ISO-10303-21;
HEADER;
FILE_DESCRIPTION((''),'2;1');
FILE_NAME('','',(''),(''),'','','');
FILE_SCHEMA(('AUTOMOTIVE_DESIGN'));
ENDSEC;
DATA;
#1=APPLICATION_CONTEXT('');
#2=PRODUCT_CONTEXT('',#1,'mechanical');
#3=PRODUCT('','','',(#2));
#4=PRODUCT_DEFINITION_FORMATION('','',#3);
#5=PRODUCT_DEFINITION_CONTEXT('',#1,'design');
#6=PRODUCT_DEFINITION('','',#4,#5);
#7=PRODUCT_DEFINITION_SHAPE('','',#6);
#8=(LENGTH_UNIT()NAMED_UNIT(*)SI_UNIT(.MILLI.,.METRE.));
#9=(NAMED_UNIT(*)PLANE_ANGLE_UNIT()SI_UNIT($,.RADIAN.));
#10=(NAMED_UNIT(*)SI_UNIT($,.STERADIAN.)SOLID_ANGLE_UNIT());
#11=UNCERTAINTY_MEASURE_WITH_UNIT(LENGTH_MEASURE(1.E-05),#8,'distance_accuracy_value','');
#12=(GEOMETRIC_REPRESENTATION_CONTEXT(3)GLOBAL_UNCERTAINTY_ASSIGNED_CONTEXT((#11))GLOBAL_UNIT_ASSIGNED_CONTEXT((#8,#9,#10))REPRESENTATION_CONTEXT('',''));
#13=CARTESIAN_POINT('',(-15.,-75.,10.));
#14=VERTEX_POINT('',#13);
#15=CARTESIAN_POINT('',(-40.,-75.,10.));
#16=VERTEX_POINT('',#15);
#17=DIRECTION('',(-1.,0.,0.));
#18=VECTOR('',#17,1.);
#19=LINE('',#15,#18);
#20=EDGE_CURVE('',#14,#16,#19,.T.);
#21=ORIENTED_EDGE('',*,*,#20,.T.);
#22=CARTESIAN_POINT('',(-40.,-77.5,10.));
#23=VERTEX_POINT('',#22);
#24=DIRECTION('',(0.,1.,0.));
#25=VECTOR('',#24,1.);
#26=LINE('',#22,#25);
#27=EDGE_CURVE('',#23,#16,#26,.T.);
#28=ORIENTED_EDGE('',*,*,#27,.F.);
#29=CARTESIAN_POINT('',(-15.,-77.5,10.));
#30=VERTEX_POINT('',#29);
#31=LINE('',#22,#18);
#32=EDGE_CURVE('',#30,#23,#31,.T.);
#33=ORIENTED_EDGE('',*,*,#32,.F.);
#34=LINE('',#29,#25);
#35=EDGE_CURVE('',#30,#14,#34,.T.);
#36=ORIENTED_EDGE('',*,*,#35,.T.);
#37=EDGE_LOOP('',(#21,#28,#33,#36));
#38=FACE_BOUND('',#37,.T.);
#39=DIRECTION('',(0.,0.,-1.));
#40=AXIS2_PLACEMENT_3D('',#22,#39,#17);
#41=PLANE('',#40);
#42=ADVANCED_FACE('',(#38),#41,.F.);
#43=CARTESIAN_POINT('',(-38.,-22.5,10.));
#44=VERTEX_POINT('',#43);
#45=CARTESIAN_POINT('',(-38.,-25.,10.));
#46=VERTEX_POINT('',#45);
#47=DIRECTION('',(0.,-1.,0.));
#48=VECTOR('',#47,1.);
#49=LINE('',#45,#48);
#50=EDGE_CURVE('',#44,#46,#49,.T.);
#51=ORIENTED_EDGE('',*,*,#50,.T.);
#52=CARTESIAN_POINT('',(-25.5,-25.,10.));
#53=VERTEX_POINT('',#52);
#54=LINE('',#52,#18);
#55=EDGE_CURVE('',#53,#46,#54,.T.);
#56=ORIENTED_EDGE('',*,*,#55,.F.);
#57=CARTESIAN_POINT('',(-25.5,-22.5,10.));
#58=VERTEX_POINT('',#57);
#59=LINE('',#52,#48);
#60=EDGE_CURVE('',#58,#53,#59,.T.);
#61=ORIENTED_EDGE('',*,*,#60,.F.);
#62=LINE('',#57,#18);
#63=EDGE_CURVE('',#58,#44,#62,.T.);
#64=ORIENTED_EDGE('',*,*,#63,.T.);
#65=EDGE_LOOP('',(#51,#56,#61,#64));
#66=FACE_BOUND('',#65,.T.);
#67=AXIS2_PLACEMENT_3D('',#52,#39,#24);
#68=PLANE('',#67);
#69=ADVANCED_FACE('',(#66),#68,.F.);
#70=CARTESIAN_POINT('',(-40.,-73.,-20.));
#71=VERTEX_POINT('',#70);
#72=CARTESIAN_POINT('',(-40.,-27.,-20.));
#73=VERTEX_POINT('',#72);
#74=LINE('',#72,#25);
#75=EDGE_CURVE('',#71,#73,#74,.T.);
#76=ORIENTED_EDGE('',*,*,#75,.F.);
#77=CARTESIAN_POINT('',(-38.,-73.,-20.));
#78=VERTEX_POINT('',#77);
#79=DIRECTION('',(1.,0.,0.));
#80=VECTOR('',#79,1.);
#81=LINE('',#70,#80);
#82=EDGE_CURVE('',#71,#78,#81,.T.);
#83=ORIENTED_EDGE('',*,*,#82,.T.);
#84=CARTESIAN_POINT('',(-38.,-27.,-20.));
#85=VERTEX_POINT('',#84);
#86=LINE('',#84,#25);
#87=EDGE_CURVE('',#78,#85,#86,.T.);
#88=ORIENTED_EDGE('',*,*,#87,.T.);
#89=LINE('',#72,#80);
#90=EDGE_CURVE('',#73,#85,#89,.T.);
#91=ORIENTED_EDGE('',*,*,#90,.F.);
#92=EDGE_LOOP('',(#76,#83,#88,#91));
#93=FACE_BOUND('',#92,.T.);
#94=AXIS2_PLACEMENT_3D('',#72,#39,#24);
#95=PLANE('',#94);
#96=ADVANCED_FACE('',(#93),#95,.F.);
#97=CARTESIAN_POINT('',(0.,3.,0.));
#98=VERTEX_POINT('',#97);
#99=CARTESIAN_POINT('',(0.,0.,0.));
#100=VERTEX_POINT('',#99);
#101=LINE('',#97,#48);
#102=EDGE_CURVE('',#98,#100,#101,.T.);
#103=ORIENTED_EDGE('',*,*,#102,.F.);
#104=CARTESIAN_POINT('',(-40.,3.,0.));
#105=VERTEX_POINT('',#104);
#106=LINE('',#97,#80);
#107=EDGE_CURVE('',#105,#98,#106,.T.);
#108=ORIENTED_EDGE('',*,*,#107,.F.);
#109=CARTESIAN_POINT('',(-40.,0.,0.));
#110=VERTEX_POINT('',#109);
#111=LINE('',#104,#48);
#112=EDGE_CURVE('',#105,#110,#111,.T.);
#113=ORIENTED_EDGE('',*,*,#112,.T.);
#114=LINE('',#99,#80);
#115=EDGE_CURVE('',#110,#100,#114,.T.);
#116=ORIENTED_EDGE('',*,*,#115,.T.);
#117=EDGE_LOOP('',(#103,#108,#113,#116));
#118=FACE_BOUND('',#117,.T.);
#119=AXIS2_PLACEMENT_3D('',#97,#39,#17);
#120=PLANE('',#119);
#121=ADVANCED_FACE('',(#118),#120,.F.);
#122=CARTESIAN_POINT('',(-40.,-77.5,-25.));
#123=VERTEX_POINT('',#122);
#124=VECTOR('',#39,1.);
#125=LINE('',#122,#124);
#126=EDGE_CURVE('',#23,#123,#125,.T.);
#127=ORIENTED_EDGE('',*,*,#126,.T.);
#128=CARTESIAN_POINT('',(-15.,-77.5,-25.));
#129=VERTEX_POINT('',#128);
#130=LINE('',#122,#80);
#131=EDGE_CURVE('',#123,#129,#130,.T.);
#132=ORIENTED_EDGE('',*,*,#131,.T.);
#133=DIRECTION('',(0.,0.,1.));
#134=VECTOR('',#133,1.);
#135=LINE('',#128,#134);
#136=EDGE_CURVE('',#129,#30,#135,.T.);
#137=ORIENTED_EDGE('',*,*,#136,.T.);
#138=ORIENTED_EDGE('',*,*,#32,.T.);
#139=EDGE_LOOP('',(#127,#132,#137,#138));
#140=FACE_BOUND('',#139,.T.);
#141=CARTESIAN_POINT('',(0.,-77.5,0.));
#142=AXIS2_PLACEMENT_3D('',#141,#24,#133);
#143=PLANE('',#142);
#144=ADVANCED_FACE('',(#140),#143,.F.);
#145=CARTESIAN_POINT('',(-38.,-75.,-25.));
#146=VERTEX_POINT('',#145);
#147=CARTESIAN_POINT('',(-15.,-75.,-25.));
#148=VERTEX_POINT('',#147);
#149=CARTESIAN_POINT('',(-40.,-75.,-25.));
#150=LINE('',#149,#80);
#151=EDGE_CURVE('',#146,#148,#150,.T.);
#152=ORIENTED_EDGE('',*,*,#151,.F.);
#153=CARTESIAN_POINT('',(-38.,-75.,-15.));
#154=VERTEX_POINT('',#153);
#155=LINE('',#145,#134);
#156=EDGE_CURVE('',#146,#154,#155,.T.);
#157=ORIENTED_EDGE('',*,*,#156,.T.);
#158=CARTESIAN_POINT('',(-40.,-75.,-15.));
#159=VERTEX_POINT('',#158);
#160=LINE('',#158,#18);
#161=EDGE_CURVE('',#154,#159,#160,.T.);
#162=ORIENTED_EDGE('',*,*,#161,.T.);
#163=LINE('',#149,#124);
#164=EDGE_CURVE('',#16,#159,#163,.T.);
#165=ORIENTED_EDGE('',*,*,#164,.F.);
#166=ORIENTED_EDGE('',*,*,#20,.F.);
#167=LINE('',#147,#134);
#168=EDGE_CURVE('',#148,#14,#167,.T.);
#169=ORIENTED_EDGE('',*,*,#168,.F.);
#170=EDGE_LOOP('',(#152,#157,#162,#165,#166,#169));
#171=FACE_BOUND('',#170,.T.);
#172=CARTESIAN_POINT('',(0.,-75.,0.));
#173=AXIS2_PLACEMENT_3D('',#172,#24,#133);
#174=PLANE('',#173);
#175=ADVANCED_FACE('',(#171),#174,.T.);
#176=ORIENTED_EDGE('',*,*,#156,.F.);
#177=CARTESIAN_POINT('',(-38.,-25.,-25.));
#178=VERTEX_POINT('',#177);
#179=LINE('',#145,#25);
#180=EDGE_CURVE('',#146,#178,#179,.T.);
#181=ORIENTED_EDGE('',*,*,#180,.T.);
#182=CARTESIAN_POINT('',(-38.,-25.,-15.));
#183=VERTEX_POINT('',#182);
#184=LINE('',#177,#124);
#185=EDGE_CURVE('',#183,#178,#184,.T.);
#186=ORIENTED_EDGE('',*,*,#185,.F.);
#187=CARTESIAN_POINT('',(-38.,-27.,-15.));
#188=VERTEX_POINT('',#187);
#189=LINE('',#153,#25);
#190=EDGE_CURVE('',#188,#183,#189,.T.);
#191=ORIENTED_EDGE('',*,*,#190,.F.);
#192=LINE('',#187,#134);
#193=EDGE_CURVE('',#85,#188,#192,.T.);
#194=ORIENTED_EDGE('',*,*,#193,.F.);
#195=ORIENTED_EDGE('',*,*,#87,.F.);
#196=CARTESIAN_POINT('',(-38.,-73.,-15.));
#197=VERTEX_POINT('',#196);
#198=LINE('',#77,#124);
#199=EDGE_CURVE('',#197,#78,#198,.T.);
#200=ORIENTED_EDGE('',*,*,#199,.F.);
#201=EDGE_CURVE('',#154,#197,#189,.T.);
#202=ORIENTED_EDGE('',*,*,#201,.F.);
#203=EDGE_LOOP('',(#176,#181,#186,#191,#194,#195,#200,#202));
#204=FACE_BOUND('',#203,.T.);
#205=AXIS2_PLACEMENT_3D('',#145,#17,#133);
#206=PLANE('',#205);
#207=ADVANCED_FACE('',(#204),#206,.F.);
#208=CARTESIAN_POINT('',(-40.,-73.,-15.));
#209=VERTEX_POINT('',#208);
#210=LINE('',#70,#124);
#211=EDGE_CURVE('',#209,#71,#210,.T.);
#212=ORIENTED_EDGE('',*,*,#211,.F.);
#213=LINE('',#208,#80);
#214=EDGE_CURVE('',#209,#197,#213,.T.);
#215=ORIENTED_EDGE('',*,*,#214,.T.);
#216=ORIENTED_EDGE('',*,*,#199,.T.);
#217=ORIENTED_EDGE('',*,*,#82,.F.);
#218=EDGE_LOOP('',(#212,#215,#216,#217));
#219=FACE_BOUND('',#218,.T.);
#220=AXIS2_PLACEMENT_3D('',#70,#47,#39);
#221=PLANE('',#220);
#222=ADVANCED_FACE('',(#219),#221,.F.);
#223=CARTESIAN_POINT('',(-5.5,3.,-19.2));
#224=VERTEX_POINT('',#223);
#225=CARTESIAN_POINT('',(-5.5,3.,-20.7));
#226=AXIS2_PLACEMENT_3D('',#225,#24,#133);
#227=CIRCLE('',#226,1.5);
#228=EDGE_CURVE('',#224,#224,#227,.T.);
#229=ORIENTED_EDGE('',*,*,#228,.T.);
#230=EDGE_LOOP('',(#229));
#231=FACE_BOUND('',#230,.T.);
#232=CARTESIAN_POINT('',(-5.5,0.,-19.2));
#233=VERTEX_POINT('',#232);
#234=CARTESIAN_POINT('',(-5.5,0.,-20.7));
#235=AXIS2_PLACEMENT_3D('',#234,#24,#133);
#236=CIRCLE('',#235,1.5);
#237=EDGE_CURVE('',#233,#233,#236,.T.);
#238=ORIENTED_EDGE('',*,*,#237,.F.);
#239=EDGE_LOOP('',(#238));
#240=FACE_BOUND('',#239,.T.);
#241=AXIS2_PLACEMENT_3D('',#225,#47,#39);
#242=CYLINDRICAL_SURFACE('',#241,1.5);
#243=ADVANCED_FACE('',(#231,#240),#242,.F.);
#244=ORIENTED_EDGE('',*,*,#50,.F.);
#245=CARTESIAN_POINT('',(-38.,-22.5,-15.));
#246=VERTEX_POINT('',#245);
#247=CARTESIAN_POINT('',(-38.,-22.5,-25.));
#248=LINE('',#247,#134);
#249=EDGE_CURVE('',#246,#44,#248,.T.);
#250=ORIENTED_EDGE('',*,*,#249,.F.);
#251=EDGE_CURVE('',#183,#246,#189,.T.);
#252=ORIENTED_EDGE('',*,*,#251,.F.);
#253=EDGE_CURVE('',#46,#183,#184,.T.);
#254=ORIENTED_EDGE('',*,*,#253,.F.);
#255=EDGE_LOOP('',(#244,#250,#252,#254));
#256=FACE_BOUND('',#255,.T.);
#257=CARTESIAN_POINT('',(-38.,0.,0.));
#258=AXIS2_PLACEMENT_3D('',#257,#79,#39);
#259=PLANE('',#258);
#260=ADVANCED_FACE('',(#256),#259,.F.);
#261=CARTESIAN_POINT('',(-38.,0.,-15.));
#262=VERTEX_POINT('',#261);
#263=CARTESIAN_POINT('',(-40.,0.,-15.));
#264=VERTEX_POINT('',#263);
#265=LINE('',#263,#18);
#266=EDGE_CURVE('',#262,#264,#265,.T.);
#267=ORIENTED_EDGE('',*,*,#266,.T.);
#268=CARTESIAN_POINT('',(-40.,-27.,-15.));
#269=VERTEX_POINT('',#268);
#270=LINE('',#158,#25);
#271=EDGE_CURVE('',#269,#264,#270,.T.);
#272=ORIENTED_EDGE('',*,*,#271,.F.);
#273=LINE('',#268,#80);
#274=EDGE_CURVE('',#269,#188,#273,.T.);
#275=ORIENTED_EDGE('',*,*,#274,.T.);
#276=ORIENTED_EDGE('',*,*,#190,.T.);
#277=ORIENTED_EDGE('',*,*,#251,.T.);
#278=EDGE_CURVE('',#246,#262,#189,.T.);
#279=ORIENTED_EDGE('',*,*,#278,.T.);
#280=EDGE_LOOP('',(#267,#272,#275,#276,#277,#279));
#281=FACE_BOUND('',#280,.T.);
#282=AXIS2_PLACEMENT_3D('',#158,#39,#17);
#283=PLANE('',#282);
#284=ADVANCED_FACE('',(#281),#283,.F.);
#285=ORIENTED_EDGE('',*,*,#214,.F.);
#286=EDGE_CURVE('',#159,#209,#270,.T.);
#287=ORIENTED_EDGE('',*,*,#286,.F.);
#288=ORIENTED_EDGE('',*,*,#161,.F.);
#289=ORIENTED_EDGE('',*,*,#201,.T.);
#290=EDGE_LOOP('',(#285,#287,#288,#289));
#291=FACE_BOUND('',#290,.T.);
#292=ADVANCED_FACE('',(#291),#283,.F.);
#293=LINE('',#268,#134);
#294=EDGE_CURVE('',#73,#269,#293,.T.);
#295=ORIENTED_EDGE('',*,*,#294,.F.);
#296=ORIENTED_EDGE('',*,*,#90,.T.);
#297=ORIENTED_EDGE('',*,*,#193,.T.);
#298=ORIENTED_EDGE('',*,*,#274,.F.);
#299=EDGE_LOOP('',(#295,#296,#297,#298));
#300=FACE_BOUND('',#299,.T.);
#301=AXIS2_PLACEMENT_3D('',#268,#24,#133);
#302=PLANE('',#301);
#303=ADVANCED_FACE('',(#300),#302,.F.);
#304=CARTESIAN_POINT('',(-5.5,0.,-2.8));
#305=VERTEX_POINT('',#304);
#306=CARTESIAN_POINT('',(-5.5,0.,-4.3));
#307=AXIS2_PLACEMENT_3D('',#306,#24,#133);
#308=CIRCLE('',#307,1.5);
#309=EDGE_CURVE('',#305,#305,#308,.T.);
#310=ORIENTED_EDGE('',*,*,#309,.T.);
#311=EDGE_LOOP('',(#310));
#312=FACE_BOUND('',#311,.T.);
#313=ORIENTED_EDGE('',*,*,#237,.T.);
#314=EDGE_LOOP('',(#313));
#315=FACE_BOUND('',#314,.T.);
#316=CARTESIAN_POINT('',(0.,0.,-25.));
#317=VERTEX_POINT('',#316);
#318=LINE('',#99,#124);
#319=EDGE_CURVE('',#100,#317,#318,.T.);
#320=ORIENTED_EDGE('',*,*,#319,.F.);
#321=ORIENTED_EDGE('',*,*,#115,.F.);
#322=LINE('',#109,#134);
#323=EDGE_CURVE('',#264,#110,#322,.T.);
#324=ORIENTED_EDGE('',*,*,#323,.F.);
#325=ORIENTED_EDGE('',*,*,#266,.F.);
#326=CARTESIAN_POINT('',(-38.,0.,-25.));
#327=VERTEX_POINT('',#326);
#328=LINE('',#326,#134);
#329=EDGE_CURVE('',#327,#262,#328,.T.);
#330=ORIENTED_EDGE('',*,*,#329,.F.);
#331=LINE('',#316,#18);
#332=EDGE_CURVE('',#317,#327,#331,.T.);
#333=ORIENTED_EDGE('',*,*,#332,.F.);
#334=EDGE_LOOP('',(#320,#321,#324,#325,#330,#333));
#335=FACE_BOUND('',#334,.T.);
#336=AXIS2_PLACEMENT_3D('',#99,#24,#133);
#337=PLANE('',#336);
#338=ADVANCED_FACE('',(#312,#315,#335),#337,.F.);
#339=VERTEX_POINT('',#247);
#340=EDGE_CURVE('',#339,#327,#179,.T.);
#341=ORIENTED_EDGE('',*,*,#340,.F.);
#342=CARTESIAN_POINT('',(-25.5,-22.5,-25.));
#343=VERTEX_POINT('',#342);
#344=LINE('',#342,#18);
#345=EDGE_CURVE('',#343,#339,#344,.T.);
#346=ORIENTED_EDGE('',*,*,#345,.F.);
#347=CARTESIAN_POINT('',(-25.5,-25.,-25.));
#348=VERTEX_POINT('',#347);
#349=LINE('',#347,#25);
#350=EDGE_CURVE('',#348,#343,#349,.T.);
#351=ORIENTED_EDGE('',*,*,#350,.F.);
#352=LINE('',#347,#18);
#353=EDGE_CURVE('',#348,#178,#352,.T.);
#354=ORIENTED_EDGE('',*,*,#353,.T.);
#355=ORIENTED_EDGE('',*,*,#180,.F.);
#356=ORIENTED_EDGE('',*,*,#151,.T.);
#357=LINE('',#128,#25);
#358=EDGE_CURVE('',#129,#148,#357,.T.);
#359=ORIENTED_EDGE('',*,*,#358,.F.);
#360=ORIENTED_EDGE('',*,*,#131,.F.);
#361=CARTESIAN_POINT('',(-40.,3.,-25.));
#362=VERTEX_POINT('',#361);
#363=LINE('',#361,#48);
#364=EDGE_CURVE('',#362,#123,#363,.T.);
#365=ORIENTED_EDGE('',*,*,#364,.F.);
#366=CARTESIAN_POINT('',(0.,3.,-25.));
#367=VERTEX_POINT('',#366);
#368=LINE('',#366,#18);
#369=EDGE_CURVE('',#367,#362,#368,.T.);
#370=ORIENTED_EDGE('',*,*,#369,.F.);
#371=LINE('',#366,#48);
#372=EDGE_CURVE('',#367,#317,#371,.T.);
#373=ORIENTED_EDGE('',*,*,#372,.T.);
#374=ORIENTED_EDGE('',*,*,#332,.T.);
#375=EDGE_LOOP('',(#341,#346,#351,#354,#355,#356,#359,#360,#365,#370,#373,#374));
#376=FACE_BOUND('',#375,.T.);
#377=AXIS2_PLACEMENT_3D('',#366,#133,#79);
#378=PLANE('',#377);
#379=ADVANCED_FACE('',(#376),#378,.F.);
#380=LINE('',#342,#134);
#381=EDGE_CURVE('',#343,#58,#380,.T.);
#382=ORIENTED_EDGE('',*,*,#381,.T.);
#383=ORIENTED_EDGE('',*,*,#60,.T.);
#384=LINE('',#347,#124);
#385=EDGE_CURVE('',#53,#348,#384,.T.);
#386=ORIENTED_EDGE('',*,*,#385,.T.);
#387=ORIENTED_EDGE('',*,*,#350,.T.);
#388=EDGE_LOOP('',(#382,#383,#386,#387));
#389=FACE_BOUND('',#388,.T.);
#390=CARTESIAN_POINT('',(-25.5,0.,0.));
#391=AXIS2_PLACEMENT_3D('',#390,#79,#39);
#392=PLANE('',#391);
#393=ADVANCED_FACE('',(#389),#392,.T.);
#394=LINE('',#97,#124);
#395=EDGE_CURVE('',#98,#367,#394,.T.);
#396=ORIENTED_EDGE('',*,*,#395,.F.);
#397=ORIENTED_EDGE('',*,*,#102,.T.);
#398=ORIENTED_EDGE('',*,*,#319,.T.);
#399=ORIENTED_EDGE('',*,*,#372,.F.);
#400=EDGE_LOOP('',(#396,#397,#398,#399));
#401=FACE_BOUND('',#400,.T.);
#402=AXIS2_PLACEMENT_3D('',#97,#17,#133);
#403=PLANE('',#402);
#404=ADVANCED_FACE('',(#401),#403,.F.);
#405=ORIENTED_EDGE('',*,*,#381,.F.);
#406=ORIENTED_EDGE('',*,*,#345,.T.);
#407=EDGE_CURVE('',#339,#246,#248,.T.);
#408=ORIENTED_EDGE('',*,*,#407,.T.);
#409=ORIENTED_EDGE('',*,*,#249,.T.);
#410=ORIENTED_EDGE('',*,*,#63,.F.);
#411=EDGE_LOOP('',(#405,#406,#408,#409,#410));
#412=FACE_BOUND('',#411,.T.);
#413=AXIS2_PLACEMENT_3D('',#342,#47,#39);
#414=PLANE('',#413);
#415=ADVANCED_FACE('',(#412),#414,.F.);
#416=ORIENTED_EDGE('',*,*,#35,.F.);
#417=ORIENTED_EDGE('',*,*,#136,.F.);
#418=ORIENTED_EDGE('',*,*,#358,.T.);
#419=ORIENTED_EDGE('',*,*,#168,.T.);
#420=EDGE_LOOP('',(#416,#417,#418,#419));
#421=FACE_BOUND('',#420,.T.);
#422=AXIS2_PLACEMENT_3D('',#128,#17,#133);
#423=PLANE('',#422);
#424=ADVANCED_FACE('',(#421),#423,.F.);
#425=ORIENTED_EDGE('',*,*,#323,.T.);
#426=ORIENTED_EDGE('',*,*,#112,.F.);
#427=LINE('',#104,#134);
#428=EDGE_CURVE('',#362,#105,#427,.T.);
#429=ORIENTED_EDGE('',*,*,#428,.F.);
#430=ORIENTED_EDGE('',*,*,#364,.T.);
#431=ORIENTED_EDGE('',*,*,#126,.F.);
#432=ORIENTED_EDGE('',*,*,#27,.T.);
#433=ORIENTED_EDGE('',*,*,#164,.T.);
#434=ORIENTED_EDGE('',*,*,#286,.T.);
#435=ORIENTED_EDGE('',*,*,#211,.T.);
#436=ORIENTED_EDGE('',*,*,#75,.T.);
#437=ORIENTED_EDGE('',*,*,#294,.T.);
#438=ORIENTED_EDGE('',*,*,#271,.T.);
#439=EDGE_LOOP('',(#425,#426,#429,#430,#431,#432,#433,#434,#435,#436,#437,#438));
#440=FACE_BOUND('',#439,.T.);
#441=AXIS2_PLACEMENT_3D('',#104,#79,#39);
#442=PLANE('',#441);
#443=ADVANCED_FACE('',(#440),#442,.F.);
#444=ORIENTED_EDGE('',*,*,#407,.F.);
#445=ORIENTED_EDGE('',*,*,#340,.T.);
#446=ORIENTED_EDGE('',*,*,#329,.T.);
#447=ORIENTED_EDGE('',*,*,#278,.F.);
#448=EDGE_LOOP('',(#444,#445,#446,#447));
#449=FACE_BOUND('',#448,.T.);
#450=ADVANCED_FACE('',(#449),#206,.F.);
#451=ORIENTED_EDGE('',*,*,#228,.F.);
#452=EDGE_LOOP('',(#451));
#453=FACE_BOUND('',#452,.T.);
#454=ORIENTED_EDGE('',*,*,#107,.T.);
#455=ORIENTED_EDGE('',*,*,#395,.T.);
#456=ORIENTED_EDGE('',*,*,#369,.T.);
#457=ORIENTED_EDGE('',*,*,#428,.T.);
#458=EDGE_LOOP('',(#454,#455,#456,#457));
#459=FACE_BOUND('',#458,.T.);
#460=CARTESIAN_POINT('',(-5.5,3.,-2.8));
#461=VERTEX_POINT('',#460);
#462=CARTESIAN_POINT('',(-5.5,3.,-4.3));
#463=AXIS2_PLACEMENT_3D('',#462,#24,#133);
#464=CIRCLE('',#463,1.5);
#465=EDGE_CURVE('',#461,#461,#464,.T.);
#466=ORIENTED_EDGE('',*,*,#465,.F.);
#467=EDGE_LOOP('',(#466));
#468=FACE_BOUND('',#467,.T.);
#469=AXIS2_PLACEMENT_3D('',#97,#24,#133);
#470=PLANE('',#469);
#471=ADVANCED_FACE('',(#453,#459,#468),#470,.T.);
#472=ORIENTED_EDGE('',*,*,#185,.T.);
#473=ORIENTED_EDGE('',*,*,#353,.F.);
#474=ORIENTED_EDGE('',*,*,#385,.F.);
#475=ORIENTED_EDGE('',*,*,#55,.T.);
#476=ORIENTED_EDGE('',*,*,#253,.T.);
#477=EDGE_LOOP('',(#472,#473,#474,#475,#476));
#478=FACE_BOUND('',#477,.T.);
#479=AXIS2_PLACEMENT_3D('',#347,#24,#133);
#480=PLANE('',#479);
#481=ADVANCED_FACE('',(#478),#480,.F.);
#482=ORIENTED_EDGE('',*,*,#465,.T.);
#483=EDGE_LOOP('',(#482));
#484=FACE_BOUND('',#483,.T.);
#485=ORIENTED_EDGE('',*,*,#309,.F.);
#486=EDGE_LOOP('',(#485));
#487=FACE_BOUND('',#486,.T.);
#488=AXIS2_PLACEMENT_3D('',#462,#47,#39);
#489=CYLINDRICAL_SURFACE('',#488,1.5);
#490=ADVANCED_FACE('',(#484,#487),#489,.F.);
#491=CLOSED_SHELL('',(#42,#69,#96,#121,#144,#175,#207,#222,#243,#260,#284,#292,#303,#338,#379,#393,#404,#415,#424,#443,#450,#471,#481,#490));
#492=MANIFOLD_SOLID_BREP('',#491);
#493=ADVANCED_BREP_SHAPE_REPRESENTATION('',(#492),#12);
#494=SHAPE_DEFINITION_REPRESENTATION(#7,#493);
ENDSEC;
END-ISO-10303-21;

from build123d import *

# Parameters (mm, degrees)
SKETCH1_W           = 40
SKETCH1_H           = 25
SKETCH1_R           = 1.5
BOSS_EXTRUDE1_DEPTH = 3
SKETCH2_W           = 2
SKETCH2_H           = 10
BOSS_EXTRUDE2_DEPTH = 75
SKETCH6_W           = 25
SKETCH6_H           = 35
BOSS_EXTRUDE3_DEPTH = 2.5
SKETCH7_W           = 35
SKETCH7_H           = 2.5
BOSS_EXTRUDE4_DEPTH = 12.5
SKETCH8_W           = 5
SKETCH8_H           = 46
CUT_EXTRUDE2_DEPTH  = 90.862394805


with BuildPart() as part:
    # Sketch1 → Boss-Extrude1 (new body)
    with BuildSketch(Plane(origin=(0, 0, 0), x_dir=(1, 0, 0), z_dir=(0, 1, 0))):
        with Locations((-20, 12.5)):
            Rectangle(SKETCH1_W, SKETCH1_H)
        with Locations(Location((-5.5, 20.7, 0), (0, 0, 270))):
            Circle(SKETCH1_R, mode=Mode.SUBTRACT)
        with Locations(Location((-5.5, 4.3, 0), (0, 0, 270))):
            Circle(SKETCH1_R, mode=Mode.SUBTRACT)
    extrude(amount=BOSS_EXTRUDE1_DEPTH)

    # Sketch2 → Boss-Extrude2 (add)
    with BuildSketch(Plane.XZ):
        with Locations((-39, -20)):
            Rectangle(SKETCH2_W, SKETCH2_H)
    extrude(amount=BOSS_EXTRUDE2_DEPTH)

    # Sketch6 → Boss-Extrude3 (add)
    with BuildSketch(Plane.XZ.offset(75)):
        with Locations((-27.5, -7.5)):
            Rectangle(SKETCH6_W, SKETCH6_H)
    extrude(amount=BOSS_EXTRUDE3_DEPTH)

    # Sketch7 → Boss-Extrude4 (add)
    with BuildSketch(Plane(origin=(-38, 0, 0), x_dir=(0, 0, -1), z_dir=(1, 0, 0))):
        with Locations((7.5, -23.75)):
            Rectangle(SKETCH7_W, SKETCH7_H)
    extrude(amount=BOSS_EXTRUDE4_DEPTH)

    # Sketch8 → Cut-Extrude2 (cut, through all)
    with BuildSketch(Plane(origin=(-38, 0, 0), x_dir=(0, 0, -1), z_dir=(1, 0, 0))):
        with Locations((17.5, -50)):
            Rectangle(SKETCH8_W, SKETCH8_H)
    extrude(amount=-CUT_EXTRUDE2_DEPTH, mode=Mode.SUBTRACT)


solid = part.part
